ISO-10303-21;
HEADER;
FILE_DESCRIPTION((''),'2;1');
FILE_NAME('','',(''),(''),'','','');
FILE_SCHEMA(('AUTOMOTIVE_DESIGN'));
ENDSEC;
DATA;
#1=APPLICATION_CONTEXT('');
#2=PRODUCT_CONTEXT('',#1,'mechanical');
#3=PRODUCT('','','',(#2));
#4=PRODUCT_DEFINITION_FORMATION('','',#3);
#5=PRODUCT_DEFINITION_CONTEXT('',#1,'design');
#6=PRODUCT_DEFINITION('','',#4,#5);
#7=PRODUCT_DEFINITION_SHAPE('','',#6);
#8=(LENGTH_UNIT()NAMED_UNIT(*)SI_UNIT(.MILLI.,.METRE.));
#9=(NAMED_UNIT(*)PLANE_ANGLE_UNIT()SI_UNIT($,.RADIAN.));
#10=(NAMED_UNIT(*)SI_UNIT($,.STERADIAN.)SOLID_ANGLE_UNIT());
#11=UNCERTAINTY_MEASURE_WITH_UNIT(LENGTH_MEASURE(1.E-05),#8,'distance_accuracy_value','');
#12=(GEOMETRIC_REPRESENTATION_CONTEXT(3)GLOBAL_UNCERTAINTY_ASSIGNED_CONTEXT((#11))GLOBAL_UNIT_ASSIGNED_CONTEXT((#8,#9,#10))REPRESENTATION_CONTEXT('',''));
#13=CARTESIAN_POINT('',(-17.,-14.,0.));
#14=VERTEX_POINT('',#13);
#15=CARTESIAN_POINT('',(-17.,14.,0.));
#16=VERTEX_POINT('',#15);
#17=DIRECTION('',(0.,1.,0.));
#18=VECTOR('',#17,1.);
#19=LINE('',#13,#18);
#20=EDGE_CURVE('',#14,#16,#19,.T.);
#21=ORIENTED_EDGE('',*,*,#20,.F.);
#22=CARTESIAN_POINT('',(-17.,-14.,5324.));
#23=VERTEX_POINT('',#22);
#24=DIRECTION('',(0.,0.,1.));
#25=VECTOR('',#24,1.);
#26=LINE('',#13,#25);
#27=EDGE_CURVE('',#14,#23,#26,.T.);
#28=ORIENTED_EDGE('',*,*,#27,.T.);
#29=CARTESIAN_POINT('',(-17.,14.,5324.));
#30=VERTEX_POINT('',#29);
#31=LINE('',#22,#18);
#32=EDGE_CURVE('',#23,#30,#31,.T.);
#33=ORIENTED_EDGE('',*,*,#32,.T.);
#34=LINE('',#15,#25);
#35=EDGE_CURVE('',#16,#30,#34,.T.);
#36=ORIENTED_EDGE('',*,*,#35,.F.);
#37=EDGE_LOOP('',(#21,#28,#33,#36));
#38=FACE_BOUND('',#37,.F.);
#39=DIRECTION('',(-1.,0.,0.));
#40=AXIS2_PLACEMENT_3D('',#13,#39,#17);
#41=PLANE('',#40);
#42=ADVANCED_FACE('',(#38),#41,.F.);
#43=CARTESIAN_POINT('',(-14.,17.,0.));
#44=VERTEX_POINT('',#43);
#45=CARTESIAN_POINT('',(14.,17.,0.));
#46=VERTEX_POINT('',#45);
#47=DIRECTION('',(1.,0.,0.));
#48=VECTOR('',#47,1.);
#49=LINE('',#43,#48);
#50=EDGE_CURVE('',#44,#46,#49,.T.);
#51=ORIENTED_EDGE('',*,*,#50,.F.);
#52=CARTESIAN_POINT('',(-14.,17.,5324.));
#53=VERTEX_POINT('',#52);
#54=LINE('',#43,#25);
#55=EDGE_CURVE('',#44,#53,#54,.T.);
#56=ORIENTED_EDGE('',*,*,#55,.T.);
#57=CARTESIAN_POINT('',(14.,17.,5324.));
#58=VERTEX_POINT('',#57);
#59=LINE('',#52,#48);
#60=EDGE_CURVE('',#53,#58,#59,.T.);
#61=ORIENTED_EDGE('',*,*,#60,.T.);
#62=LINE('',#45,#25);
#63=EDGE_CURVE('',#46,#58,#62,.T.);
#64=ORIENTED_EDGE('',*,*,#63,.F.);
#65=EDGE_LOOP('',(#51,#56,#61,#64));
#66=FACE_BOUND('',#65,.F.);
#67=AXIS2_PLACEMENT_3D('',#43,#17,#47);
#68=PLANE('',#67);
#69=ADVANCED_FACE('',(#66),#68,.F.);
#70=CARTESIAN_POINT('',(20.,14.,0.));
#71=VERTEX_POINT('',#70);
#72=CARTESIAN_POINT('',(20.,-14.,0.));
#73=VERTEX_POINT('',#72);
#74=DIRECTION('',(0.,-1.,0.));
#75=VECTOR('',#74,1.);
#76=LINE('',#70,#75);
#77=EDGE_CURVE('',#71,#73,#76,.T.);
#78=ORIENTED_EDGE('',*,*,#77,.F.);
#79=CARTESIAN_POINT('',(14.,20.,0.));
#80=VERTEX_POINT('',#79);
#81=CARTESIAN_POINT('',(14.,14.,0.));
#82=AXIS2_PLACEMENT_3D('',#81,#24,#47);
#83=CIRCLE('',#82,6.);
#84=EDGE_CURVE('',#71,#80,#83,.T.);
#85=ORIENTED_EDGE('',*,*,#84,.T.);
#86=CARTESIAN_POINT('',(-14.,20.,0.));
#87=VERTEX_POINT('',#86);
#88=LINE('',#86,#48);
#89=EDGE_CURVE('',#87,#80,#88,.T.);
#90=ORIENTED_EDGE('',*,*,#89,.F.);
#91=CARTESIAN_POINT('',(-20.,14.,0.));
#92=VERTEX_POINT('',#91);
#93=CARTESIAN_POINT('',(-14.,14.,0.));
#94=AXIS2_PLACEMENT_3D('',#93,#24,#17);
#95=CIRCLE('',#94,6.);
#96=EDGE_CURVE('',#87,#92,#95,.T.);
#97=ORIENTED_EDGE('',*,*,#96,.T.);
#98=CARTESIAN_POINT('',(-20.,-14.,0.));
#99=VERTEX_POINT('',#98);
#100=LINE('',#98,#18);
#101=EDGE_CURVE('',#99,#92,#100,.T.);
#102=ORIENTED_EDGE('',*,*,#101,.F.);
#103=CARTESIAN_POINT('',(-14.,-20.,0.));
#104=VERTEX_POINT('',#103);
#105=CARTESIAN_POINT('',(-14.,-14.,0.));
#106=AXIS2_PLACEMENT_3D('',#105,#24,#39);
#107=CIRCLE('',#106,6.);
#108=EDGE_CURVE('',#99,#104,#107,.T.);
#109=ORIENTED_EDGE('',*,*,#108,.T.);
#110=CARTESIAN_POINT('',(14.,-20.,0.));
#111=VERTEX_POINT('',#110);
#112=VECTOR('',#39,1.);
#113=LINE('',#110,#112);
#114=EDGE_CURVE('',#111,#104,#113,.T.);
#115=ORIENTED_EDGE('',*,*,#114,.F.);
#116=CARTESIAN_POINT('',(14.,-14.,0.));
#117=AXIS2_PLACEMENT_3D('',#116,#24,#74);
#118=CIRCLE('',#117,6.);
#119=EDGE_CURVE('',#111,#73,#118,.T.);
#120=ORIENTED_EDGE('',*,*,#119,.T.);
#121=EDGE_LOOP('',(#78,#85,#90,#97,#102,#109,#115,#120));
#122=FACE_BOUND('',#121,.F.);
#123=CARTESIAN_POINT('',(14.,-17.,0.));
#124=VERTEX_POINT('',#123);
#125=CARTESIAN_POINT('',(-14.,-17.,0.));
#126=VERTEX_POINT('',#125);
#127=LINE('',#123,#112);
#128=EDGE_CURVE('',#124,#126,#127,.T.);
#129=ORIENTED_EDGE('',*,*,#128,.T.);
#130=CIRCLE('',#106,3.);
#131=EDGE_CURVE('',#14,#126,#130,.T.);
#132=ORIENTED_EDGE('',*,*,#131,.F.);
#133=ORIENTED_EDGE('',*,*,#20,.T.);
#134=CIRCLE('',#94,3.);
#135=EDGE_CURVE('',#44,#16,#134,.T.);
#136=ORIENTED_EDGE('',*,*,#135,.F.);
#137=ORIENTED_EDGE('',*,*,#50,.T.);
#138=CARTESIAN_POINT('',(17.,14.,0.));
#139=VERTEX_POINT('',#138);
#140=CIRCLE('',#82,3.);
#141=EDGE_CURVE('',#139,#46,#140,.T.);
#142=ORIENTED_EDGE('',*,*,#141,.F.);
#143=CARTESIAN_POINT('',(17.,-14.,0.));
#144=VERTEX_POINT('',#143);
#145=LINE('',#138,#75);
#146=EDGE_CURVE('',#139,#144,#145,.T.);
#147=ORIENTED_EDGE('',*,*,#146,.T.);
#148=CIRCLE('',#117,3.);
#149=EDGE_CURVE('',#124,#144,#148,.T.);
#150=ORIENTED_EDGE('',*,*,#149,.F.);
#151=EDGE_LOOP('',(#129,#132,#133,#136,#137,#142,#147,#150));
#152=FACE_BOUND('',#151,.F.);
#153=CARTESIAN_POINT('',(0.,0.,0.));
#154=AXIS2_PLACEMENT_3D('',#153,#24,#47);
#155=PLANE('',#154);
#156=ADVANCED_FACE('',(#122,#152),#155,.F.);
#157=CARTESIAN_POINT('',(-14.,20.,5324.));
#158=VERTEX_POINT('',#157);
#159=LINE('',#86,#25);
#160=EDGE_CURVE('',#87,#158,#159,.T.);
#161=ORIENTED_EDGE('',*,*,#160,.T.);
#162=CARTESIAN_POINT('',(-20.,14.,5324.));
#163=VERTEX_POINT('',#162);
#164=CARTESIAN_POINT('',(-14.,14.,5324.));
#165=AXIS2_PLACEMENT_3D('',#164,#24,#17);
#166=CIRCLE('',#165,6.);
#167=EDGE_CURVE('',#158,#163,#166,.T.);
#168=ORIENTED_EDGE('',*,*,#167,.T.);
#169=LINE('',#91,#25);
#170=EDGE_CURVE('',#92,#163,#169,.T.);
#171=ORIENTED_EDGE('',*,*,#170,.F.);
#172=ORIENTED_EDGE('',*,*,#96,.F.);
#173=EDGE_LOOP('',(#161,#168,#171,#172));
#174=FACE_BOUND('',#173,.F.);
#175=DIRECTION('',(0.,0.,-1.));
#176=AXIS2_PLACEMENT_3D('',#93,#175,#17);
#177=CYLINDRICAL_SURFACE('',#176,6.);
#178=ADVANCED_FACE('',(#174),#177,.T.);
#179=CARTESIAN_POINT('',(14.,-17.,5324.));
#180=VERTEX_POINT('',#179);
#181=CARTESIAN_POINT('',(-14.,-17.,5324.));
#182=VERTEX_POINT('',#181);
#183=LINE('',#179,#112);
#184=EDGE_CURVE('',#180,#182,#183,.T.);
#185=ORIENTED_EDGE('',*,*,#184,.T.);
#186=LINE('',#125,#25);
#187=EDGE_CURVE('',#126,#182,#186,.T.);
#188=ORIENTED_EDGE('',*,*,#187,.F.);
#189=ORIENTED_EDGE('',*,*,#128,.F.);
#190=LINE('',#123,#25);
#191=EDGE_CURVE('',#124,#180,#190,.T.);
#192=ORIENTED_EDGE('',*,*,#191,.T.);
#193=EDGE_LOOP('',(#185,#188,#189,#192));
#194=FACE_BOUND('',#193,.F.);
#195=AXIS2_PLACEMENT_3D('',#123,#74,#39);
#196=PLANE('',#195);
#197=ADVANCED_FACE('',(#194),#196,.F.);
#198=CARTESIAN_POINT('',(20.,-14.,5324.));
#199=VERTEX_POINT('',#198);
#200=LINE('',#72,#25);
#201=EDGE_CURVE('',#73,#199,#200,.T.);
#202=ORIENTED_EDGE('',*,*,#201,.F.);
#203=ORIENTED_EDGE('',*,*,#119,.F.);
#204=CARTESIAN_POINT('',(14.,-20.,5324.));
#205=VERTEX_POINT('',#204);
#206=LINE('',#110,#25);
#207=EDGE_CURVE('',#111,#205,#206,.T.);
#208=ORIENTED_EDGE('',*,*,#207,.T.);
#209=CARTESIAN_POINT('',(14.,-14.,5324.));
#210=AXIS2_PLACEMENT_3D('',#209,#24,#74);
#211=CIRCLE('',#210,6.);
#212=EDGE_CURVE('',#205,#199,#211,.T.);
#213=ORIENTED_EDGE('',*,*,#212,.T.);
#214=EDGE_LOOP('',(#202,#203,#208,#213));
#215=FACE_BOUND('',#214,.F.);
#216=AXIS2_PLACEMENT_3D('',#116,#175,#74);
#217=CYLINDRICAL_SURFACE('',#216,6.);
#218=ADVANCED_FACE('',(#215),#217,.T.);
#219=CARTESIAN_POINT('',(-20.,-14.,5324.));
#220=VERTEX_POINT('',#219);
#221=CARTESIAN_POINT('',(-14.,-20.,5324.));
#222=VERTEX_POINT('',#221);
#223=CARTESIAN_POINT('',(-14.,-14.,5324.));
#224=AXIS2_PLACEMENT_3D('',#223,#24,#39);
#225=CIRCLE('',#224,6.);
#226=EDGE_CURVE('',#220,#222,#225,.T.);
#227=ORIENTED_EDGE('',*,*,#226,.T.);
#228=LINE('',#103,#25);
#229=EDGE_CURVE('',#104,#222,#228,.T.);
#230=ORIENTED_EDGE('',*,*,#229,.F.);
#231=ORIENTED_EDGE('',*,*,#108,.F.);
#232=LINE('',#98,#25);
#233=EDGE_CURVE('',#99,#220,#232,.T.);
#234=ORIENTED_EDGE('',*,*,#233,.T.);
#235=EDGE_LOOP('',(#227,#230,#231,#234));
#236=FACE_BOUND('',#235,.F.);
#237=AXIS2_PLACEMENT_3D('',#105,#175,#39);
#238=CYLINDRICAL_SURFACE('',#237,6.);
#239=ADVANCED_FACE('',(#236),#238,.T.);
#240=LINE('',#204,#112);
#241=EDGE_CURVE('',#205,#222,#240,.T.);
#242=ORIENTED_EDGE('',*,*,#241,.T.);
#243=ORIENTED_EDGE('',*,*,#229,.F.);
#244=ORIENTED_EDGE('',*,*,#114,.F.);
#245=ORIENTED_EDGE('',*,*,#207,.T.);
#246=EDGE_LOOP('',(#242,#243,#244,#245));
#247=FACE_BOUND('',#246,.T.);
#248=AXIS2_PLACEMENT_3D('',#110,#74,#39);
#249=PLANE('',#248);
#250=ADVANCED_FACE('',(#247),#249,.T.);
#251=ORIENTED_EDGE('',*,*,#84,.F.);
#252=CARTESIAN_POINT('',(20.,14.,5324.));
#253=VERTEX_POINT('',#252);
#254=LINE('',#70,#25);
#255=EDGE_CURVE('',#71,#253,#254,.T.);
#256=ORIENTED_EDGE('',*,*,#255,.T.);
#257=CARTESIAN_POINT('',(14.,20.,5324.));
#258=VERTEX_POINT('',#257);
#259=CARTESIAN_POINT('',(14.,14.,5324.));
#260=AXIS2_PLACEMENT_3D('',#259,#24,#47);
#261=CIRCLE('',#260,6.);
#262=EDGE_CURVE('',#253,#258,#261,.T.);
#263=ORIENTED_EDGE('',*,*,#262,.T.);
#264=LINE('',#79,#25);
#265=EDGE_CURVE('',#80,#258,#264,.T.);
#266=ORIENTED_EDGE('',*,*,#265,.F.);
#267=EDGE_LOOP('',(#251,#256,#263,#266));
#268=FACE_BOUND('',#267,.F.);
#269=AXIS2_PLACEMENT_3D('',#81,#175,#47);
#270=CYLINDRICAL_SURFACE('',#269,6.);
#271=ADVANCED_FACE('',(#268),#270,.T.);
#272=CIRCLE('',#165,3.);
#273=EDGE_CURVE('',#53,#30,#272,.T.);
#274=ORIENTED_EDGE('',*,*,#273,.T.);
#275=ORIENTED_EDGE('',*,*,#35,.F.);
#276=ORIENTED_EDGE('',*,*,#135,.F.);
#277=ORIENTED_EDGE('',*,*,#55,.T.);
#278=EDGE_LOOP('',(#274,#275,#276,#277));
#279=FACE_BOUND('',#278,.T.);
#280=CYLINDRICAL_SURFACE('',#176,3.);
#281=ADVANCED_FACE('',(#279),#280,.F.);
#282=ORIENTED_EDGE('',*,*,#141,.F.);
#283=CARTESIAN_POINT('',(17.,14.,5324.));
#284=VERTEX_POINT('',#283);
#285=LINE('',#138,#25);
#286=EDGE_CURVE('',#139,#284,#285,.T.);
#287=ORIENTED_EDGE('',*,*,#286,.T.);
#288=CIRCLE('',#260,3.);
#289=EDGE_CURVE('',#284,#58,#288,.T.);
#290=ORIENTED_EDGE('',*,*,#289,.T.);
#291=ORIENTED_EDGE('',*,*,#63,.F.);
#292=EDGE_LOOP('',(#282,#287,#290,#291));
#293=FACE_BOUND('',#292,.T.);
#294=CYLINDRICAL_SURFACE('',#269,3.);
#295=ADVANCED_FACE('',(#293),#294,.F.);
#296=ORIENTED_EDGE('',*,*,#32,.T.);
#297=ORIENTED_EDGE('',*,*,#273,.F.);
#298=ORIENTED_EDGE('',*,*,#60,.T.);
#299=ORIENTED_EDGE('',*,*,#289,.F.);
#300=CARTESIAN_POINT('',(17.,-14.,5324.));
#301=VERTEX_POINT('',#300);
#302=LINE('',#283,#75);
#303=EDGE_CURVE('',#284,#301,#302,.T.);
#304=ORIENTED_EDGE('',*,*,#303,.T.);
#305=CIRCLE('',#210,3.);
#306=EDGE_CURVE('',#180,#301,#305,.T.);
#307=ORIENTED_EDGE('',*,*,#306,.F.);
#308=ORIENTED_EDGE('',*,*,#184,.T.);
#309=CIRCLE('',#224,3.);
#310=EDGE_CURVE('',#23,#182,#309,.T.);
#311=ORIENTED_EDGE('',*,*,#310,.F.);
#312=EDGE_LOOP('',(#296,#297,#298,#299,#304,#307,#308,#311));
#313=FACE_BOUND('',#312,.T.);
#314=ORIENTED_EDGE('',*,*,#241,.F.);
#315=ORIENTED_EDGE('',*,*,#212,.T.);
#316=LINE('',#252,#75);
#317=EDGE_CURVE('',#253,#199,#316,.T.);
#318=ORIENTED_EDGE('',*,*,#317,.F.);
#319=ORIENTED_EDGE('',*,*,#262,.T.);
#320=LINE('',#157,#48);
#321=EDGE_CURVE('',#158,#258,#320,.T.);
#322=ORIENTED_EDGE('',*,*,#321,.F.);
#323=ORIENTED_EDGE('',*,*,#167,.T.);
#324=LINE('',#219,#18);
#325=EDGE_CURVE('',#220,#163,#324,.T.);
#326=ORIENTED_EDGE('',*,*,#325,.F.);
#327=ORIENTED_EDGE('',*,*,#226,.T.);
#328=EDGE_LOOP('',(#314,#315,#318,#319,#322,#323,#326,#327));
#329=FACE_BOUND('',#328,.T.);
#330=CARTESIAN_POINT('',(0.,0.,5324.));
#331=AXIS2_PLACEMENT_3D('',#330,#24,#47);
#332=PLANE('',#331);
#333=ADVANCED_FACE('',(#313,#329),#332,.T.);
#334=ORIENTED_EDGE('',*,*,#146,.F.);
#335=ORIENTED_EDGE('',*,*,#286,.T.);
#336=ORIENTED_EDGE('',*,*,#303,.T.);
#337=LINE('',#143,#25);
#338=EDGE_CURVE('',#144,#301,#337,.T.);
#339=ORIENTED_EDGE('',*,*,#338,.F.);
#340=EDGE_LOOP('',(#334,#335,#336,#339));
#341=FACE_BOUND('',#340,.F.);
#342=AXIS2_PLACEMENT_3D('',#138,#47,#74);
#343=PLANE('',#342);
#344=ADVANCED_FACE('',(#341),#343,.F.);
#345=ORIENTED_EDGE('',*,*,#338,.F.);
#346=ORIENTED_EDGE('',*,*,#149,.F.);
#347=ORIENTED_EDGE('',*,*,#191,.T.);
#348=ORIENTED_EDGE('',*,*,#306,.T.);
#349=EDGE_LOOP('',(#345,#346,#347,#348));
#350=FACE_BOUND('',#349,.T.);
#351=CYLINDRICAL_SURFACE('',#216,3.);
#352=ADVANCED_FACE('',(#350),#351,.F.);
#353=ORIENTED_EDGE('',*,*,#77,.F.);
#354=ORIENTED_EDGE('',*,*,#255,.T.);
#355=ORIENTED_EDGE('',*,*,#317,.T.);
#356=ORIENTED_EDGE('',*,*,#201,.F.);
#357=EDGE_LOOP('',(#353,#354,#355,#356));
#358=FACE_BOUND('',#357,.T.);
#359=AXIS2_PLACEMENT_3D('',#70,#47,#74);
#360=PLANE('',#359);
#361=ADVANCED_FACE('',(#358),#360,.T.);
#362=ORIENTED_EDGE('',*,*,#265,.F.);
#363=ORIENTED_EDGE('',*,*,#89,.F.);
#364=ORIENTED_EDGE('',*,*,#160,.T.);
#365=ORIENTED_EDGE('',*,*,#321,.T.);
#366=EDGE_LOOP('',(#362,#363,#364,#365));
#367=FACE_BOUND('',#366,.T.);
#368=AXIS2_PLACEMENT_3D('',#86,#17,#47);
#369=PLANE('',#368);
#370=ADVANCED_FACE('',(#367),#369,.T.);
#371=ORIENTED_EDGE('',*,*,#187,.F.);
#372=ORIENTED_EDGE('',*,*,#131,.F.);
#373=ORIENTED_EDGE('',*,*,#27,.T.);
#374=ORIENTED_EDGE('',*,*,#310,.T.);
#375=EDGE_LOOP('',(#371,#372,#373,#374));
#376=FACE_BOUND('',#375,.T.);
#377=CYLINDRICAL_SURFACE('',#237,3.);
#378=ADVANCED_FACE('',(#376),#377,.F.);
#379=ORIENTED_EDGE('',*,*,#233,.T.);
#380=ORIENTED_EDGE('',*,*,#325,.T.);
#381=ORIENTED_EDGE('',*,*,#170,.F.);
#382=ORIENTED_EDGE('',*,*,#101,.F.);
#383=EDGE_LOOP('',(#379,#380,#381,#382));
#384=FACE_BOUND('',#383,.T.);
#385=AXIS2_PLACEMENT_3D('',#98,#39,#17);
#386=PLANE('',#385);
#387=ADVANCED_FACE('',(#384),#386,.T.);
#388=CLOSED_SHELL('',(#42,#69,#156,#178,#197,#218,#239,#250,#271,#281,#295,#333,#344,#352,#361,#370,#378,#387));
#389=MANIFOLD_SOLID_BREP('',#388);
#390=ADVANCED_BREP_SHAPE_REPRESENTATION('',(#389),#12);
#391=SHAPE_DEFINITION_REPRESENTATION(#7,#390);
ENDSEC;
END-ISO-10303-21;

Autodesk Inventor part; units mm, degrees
ref_plane "YZ Plane" through (0, 0, 0) normal (1, 0, 0) x (0, 1, 0)
ref_plane "Start Plane" through (0, 0, 0) normal (0, 0, 1) x (1, 0, 0)
ref_plane "End Plane" through (0, 0, 5324) normal (0, 0, 1) x (1, 0, 0)
sketch "Sketch" plane through (0, 0, 0) normal (0, 0, 1) x (1, 0, 0)
  line L0 (-20, -14) -> (-20, 14)
  line L1 (-14, 20) -> (14, 20)
  line L2 (20, 14) -> (20, -14)
  line L3 (14, -20) -> (-14, -20)
  arc A0 (-20, -14) -> (-14, -20) centre (-14, -14) ccw
  arc A1 (20, 14) -> (14, 20) centre (14, 14) ccw
  arc A2 (-14, 20) -> (-20, 14) centre (-14, 14) ccw
  arc A3 (14, -20) -> (20, -14) centre (14, -14) ccw
  arc A4 (-14, 17) -> (-17, 14) centre (-14, 14) ccw
  line L4 (-14, 17) -> (14, 17)
  arc A5 (17, 14) -> (14, 17) centre (14, 14) ccw
  line L5 (17, 14) -> (17, -14)
  arc A6 (14, -17) -> (17, -14) centre (14, -14) ccw
  line L6 (14, -17) -> (-14, -17)
  arc A7 (-17, -14) -> (-14, -17) centre (-14, -14) ccw
  line L7 (-17, -14) -> (-17, 14)
  line L8 (0, 29.7397) -> (0, -29.7397) construction
  line L9 (-29.7397, 0) -> (29.7397, 0) construction
  dimension "d7" = 6
  dimension "d9" = 40
  dimension "d11" = 40
  dimension "d12" = 3
  dimension "d15" = 20
  dimension "d16" = 20
extrude "Body" add sketch "Sketch" along normal up to surface (5324 mm away) from surface at 0
sketch "Sketch3" plane through (0, 0, 0) normal (0, 0, 1) x (1, 0, 0)
  line L0 (0, 0) -> (10, 0)
ref_plane "Work Plane3" through (0, 0, 0) normal (0, -1, 0) x (1, 0, 0)
sketch "Sketch4" plane through (0, 0, 0) normal (0, -1, 0) x (1, 0, 0)
  line L0 (-2, 0) -> (12, 0) projected
  line L1 (-2, 5324) -> (12, 5324) projected
  dimension "d18" = 5324
equation "\"d7\" = G_IR"
equation "\"d9\" = G_W"
equation "\"d11\" = G_H"
equation "\"d12\" = G_T"
equation "\"d15\" = 0.5 * d9"
equation "\"d16\" = 0.5 * d11"
equation "\"d3\" = G_L"
equation "\"G_W\" = 40"
equation "\"G_H\" = 40"
equation "\"G_T\" = 3"
equation "\"G_IR\" = 6"
equation "\"G_L\" = d18"
equation "\"G_OFFSET_START\" = 0"
equation "\"G_OFFSET_END\" = 0"
equation "\"d14\" = G_OFFSET_END + B_L"
equation "\"B_L\" = 5324"
properties part number "ISO 10799-2 - 40x40x3 - 5324" material "Steel, Mild"
